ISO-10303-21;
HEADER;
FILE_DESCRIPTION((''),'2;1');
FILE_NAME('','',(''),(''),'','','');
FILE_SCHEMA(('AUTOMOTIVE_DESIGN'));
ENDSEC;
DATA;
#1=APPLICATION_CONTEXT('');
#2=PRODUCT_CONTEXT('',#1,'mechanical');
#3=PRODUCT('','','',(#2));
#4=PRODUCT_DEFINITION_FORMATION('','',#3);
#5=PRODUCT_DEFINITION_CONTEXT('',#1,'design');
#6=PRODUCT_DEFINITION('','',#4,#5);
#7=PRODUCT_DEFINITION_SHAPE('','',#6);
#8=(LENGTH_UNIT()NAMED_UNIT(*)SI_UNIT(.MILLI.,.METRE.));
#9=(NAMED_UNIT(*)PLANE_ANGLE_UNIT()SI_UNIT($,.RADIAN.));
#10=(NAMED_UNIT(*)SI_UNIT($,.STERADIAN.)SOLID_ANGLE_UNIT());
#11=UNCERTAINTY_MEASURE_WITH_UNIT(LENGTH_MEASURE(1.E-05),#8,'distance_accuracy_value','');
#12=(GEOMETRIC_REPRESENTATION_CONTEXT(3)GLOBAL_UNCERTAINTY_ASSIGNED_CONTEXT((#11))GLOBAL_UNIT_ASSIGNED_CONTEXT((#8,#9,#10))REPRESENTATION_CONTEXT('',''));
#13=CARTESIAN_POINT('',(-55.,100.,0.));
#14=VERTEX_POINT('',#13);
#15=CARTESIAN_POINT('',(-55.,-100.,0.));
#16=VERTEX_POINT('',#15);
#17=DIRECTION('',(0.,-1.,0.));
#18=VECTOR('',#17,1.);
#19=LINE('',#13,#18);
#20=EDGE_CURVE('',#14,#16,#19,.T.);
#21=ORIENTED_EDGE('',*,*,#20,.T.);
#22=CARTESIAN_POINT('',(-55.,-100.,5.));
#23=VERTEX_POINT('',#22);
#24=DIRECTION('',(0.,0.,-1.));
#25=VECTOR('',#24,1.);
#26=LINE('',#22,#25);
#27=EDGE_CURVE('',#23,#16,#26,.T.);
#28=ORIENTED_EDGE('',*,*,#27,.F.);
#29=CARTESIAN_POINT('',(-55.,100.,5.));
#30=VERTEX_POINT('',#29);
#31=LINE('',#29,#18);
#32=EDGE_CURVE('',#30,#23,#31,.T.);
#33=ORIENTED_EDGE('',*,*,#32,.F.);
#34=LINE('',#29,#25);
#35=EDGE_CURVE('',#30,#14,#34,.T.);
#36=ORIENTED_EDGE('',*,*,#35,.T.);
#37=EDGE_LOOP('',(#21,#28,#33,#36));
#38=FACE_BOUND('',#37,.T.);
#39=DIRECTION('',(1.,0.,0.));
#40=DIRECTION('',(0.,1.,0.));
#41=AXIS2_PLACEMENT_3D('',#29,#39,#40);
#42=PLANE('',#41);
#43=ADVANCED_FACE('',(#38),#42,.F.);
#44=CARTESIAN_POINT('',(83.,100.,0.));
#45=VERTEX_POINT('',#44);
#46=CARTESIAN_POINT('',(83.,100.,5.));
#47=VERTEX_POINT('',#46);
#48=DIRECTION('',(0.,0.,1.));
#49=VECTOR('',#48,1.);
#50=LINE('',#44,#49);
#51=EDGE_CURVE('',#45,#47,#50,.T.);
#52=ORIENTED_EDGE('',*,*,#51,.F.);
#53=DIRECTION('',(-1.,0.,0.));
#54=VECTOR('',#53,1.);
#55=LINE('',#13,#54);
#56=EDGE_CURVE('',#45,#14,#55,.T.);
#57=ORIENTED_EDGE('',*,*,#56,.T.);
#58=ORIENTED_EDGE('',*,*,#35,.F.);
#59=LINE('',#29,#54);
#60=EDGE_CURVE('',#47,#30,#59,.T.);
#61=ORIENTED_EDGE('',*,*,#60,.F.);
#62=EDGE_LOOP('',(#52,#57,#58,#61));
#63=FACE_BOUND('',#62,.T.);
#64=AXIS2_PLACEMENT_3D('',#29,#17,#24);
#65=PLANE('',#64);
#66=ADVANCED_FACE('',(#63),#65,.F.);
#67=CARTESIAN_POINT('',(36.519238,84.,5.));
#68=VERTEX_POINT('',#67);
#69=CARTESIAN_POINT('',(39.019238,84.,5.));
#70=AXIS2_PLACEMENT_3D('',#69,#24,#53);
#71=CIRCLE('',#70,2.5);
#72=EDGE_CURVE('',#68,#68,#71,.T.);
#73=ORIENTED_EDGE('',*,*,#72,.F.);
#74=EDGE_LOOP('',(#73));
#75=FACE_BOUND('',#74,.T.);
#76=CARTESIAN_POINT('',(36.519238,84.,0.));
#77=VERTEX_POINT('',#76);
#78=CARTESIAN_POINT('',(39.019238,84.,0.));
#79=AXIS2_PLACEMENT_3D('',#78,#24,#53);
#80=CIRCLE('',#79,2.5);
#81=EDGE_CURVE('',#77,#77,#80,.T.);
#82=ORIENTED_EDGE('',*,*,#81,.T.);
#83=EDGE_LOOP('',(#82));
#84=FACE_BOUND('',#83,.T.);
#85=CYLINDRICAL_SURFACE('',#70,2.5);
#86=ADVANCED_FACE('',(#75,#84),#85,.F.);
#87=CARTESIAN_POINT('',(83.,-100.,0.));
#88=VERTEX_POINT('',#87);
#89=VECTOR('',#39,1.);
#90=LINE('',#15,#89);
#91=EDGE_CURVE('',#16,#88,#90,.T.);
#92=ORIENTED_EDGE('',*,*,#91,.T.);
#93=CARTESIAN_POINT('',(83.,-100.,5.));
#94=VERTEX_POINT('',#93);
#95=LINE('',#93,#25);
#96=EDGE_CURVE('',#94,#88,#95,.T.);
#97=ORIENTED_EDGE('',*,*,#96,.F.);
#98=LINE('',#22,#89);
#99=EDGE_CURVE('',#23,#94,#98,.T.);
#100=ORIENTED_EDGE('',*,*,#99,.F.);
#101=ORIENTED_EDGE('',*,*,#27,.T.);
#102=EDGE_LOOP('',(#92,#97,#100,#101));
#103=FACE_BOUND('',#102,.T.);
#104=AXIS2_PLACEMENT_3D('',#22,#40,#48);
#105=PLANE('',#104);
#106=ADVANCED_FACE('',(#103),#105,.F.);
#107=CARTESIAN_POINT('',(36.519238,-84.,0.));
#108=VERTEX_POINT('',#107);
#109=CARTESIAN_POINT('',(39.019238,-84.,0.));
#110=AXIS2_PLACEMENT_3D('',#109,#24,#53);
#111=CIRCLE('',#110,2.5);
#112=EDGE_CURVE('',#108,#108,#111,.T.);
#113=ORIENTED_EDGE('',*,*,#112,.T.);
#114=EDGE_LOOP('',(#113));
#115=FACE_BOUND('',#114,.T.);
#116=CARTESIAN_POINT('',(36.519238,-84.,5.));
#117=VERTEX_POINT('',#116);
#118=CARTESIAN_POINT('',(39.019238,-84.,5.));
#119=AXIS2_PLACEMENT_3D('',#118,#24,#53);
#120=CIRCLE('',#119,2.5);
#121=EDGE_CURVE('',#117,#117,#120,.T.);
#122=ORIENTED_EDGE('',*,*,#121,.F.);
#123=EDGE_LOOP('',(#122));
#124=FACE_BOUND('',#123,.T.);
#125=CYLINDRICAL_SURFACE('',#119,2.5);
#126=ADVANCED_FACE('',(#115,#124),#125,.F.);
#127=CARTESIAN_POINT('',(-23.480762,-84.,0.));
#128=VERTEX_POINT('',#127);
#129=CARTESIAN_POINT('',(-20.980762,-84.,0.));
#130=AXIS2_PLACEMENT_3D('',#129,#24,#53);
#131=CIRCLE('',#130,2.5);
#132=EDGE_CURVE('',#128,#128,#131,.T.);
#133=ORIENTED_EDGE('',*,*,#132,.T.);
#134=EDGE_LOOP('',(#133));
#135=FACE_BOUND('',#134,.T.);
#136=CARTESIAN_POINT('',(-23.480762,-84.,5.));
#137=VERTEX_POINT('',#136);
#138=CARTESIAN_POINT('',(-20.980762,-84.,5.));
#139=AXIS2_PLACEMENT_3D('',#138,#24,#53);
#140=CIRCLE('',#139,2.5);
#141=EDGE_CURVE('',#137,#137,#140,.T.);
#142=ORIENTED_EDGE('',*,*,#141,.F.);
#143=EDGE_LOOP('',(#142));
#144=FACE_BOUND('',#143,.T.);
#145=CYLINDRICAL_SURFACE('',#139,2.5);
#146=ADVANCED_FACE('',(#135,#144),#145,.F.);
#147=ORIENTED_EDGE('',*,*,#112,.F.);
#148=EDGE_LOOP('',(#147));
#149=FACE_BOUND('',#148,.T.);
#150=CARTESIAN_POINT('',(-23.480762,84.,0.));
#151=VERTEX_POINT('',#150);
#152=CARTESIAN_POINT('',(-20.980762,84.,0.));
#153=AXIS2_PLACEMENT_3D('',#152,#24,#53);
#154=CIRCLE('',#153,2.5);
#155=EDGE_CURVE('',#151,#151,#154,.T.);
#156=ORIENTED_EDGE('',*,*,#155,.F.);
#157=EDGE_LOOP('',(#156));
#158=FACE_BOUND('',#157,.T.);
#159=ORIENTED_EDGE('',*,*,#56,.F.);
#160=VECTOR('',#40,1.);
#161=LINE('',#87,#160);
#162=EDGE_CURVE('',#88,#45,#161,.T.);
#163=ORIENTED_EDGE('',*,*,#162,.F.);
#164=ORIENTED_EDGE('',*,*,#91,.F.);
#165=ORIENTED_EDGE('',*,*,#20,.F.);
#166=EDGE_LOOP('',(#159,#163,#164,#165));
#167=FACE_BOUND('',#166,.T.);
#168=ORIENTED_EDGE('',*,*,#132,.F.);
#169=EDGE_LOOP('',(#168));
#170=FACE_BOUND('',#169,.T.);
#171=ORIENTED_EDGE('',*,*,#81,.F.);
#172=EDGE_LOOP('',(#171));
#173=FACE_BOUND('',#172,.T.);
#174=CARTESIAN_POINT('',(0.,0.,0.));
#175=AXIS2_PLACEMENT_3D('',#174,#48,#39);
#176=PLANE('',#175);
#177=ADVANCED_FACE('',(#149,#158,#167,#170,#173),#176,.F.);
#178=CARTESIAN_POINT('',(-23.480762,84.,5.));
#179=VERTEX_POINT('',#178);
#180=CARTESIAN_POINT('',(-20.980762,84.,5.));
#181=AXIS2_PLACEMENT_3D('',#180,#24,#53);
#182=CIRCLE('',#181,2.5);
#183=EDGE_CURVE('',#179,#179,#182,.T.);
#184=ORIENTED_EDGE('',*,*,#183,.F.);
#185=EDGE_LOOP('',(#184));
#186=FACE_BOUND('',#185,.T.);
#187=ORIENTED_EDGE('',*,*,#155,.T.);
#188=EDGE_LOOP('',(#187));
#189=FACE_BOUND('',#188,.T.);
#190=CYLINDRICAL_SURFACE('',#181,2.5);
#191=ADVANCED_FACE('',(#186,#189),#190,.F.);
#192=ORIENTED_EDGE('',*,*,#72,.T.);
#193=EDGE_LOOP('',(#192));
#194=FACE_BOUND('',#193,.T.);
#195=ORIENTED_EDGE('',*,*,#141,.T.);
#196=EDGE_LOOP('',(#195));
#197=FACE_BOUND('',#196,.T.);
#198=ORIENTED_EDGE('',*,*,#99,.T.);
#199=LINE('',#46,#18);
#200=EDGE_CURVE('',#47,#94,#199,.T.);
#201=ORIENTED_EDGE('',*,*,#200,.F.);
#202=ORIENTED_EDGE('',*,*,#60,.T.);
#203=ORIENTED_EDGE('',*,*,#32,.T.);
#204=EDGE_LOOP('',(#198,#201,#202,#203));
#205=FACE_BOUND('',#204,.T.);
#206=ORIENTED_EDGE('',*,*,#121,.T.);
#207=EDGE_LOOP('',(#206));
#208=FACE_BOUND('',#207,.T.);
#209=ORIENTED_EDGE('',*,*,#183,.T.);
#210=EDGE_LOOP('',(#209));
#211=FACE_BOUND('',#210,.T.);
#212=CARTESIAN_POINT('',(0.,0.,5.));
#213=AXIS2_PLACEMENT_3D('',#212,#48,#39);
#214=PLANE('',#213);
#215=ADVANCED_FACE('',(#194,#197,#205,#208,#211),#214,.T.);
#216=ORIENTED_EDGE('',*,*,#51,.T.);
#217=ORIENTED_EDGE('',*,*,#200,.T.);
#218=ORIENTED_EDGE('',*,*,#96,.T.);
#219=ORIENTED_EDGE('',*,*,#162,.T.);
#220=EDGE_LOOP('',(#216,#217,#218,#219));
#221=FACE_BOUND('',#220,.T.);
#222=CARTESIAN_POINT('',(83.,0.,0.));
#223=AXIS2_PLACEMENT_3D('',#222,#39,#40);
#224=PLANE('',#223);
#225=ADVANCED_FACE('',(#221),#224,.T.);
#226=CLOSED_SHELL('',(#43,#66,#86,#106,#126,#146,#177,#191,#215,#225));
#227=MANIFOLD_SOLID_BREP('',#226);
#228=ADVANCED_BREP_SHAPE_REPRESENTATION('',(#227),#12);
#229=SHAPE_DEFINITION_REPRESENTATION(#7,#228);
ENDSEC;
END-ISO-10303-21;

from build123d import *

# Parameters (mm, degrees)
ESQUISSE1_W             = 110
ESQUISSE1_H             = 200
BOSS_EXTRU_1_DEPTH      = 5
ESQUISSE28_R            = 2.5
ENL_V_MAT_EXTRU_1_DEPTH = 115.236596588
ESQUISSE29_W            = 5
ESQUISSE29_H            = 200
BOSS_EXTRU_2_DEPTH      = 28


with BuildPart() as part:
    # Esquisse1 → Boss.-Extru.1 (new body)
    with BuildSketch(Plane.XY):
        Rectangle(ESQUISSE1_W, ESQUISSE1_H)
    extrude(amount=BOSS_EXTRU_1_DEPTH)

    # Esquisse28 → Enlèv. mat.-Extru.1 (cut, through all)
    with BuildSketch(Plane(origin=(0, 0, 0), x_dir=(-1, 0, 0), z_dir=(0, 0, -1))):
        with Locations((20.980762114, -84)):
            Circle(ESQUISSE28_R)
        with Locations((-39.019237886, -84)):
            Circle(ESQUISSE28_R)
        with Locations((20.980762114, 84)):
            Circle(ESQUISSE28_R)
        with Locations((-39.019237886, 84)):
            Circle(ESQUISSE28_R)
    extrude(amount=-ENL_V_MAT_EXTRU_1_DEPTH, mode=Mode.SUBTRACT)

    # Esquisse29 → Boss.-Extru.2 (add)
    with BuildSketch(Plane(origin=(55, 0, 0), x_dir=(0, 0, -1), z_dir=(1, 0, 0))):
        with Locations((-2.5, 0)):
            Rectangle(ESQUISSE29_W, ESQUISSE29_H)
    extrude(amount=BOSS_EXTRU_2_DEPTH)


solid = part.part
